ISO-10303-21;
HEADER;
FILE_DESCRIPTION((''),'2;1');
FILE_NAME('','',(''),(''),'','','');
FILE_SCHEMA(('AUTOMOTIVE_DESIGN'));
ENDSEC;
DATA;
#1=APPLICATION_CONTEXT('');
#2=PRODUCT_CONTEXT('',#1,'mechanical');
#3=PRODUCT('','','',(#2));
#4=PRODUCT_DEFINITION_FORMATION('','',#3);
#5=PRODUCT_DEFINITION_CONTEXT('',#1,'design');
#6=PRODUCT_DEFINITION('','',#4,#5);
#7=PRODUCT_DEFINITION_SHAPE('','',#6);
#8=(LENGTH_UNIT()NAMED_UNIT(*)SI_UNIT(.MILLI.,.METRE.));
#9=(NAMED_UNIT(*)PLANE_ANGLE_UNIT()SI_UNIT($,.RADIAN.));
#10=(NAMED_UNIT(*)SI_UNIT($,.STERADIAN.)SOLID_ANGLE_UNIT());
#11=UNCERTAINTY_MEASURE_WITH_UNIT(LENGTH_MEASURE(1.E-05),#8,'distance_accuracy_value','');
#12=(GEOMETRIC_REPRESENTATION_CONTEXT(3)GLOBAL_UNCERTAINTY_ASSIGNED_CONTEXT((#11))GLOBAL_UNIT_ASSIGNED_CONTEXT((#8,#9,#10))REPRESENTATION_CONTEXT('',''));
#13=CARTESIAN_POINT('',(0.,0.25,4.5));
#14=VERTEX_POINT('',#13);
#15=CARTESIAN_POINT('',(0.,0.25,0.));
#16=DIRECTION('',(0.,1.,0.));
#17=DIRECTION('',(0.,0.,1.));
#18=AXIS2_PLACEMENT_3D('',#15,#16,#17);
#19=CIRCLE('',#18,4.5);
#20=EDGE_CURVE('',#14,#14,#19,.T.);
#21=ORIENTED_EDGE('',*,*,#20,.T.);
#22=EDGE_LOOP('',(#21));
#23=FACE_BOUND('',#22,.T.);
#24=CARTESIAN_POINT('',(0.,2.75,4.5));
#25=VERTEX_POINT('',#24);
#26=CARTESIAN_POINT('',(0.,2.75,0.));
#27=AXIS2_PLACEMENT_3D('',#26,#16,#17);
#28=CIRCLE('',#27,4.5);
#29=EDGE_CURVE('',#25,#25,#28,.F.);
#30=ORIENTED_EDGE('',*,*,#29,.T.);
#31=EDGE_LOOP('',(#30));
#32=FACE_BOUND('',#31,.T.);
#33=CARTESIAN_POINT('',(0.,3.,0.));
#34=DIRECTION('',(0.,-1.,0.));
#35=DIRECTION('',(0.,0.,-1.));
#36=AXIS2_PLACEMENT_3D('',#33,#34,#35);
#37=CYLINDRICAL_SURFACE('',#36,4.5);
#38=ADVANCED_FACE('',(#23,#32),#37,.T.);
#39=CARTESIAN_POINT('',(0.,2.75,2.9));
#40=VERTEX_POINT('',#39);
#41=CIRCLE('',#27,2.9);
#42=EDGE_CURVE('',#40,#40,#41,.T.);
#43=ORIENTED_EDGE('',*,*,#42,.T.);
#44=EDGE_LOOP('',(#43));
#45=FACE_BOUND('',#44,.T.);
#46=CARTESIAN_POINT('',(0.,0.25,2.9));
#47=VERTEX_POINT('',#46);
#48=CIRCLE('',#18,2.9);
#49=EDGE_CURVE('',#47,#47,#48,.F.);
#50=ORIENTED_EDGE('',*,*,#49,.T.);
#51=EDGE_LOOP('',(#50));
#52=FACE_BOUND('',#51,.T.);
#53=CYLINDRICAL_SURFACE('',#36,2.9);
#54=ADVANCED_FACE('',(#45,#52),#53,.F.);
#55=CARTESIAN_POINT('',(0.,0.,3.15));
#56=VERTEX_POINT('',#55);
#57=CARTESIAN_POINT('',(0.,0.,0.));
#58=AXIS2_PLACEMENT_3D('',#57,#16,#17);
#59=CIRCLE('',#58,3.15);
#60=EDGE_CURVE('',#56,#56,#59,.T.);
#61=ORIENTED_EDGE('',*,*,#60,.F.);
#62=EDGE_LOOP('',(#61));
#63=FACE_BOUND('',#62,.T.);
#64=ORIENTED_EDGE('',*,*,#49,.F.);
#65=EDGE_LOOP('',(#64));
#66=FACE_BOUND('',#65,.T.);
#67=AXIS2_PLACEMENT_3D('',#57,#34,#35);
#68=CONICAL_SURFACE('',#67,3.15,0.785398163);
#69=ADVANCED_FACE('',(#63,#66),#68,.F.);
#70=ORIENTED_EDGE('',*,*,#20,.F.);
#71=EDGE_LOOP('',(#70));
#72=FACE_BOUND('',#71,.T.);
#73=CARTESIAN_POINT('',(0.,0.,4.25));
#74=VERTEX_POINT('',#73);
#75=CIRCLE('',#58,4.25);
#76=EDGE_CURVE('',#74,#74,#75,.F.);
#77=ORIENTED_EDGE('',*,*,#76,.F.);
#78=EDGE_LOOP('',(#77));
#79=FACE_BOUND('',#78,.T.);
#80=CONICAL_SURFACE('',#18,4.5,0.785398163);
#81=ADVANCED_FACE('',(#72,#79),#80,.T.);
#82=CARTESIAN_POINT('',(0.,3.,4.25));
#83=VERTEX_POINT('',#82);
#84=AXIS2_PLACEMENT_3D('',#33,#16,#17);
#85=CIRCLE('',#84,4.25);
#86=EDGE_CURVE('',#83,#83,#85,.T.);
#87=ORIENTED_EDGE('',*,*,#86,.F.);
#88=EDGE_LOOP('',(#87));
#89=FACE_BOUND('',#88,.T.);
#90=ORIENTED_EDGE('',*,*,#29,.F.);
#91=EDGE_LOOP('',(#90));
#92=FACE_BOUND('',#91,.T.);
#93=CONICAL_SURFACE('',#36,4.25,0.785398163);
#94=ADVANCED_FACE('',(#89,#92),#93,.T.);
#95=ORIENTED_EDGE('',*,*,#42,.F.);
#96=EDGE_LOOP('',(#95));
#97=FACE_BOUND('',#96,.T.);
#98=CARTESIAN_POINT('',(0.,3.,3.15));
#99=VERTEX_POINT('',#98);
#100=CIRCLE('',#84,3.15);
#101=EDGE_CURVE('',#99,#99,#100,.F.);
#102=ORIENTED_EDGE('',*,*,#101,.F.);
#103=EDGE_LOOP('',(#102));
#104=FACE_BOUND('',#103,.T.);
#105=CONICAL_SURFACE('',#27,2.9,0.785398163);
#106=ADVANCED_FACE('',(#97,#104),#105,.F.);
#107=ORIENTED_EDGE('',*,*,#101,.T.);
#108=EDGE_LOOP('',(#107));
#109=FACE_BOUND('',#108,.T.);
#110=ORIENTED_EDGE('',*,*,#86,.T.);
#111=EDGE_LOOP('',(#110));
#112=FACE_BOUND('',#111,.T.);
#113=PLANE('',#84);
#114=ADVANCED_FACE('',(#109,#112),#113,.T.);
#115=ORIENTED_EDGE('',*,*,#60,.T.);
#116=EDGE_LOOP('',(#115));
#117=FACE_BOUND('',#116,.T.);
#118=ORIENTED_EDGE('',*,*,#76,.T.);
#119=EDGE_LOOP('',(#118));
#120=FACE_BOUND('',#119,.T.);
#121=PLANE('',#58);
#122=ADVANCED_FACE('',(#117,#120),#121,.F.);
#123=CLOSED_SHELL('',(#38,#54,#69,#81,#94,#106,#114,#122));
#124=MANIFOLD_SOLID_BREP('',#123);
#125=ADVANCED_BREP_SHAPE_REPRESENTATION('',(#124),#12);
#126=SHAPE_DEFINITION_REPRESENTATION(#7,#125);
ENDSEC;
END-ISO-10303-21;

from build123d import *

# Parameters (mm, degrees)
SKETCH1_R           = 4.5
SKETCH1_R_2         = 2.9
BOSS_EXTRUDE1_DEPTH = 3
CHAMFER1_SIZE       = 0.25


with BuildPart() as part:
    # Sketch1 → Boss-Extrude1 (new body)
    with BuildSketch(Plane(origin=(0, 0, 0), x_dir=(1, 0, 0), z_dir=(0, 1, 0))):
        with Locations(Location((0, 0, 0), (0, 0, 270))):
            Circle(SKETCH1_R)
        with Locations(Location((0, 0, 0), (0, 0, 270))):
            Circle(SKETCH1_R_2, mode=Mode.SUBTRACT)
    extrude(amount=BOSS_EXTRUDE1_DEPTH)

    # Chamfer1
    chamfer1_edges = [part.edges().sort_by_distance(p)[0] for p in [
        (0, 0, -4.5),
        (0, 3, -4.5),
        (0, 0, -2.9),
        (0, 3, -2.9),
    ]]
    chamfer(chamfer1_edges, length=CHAMFER1_SIZE)


solid = part.part
